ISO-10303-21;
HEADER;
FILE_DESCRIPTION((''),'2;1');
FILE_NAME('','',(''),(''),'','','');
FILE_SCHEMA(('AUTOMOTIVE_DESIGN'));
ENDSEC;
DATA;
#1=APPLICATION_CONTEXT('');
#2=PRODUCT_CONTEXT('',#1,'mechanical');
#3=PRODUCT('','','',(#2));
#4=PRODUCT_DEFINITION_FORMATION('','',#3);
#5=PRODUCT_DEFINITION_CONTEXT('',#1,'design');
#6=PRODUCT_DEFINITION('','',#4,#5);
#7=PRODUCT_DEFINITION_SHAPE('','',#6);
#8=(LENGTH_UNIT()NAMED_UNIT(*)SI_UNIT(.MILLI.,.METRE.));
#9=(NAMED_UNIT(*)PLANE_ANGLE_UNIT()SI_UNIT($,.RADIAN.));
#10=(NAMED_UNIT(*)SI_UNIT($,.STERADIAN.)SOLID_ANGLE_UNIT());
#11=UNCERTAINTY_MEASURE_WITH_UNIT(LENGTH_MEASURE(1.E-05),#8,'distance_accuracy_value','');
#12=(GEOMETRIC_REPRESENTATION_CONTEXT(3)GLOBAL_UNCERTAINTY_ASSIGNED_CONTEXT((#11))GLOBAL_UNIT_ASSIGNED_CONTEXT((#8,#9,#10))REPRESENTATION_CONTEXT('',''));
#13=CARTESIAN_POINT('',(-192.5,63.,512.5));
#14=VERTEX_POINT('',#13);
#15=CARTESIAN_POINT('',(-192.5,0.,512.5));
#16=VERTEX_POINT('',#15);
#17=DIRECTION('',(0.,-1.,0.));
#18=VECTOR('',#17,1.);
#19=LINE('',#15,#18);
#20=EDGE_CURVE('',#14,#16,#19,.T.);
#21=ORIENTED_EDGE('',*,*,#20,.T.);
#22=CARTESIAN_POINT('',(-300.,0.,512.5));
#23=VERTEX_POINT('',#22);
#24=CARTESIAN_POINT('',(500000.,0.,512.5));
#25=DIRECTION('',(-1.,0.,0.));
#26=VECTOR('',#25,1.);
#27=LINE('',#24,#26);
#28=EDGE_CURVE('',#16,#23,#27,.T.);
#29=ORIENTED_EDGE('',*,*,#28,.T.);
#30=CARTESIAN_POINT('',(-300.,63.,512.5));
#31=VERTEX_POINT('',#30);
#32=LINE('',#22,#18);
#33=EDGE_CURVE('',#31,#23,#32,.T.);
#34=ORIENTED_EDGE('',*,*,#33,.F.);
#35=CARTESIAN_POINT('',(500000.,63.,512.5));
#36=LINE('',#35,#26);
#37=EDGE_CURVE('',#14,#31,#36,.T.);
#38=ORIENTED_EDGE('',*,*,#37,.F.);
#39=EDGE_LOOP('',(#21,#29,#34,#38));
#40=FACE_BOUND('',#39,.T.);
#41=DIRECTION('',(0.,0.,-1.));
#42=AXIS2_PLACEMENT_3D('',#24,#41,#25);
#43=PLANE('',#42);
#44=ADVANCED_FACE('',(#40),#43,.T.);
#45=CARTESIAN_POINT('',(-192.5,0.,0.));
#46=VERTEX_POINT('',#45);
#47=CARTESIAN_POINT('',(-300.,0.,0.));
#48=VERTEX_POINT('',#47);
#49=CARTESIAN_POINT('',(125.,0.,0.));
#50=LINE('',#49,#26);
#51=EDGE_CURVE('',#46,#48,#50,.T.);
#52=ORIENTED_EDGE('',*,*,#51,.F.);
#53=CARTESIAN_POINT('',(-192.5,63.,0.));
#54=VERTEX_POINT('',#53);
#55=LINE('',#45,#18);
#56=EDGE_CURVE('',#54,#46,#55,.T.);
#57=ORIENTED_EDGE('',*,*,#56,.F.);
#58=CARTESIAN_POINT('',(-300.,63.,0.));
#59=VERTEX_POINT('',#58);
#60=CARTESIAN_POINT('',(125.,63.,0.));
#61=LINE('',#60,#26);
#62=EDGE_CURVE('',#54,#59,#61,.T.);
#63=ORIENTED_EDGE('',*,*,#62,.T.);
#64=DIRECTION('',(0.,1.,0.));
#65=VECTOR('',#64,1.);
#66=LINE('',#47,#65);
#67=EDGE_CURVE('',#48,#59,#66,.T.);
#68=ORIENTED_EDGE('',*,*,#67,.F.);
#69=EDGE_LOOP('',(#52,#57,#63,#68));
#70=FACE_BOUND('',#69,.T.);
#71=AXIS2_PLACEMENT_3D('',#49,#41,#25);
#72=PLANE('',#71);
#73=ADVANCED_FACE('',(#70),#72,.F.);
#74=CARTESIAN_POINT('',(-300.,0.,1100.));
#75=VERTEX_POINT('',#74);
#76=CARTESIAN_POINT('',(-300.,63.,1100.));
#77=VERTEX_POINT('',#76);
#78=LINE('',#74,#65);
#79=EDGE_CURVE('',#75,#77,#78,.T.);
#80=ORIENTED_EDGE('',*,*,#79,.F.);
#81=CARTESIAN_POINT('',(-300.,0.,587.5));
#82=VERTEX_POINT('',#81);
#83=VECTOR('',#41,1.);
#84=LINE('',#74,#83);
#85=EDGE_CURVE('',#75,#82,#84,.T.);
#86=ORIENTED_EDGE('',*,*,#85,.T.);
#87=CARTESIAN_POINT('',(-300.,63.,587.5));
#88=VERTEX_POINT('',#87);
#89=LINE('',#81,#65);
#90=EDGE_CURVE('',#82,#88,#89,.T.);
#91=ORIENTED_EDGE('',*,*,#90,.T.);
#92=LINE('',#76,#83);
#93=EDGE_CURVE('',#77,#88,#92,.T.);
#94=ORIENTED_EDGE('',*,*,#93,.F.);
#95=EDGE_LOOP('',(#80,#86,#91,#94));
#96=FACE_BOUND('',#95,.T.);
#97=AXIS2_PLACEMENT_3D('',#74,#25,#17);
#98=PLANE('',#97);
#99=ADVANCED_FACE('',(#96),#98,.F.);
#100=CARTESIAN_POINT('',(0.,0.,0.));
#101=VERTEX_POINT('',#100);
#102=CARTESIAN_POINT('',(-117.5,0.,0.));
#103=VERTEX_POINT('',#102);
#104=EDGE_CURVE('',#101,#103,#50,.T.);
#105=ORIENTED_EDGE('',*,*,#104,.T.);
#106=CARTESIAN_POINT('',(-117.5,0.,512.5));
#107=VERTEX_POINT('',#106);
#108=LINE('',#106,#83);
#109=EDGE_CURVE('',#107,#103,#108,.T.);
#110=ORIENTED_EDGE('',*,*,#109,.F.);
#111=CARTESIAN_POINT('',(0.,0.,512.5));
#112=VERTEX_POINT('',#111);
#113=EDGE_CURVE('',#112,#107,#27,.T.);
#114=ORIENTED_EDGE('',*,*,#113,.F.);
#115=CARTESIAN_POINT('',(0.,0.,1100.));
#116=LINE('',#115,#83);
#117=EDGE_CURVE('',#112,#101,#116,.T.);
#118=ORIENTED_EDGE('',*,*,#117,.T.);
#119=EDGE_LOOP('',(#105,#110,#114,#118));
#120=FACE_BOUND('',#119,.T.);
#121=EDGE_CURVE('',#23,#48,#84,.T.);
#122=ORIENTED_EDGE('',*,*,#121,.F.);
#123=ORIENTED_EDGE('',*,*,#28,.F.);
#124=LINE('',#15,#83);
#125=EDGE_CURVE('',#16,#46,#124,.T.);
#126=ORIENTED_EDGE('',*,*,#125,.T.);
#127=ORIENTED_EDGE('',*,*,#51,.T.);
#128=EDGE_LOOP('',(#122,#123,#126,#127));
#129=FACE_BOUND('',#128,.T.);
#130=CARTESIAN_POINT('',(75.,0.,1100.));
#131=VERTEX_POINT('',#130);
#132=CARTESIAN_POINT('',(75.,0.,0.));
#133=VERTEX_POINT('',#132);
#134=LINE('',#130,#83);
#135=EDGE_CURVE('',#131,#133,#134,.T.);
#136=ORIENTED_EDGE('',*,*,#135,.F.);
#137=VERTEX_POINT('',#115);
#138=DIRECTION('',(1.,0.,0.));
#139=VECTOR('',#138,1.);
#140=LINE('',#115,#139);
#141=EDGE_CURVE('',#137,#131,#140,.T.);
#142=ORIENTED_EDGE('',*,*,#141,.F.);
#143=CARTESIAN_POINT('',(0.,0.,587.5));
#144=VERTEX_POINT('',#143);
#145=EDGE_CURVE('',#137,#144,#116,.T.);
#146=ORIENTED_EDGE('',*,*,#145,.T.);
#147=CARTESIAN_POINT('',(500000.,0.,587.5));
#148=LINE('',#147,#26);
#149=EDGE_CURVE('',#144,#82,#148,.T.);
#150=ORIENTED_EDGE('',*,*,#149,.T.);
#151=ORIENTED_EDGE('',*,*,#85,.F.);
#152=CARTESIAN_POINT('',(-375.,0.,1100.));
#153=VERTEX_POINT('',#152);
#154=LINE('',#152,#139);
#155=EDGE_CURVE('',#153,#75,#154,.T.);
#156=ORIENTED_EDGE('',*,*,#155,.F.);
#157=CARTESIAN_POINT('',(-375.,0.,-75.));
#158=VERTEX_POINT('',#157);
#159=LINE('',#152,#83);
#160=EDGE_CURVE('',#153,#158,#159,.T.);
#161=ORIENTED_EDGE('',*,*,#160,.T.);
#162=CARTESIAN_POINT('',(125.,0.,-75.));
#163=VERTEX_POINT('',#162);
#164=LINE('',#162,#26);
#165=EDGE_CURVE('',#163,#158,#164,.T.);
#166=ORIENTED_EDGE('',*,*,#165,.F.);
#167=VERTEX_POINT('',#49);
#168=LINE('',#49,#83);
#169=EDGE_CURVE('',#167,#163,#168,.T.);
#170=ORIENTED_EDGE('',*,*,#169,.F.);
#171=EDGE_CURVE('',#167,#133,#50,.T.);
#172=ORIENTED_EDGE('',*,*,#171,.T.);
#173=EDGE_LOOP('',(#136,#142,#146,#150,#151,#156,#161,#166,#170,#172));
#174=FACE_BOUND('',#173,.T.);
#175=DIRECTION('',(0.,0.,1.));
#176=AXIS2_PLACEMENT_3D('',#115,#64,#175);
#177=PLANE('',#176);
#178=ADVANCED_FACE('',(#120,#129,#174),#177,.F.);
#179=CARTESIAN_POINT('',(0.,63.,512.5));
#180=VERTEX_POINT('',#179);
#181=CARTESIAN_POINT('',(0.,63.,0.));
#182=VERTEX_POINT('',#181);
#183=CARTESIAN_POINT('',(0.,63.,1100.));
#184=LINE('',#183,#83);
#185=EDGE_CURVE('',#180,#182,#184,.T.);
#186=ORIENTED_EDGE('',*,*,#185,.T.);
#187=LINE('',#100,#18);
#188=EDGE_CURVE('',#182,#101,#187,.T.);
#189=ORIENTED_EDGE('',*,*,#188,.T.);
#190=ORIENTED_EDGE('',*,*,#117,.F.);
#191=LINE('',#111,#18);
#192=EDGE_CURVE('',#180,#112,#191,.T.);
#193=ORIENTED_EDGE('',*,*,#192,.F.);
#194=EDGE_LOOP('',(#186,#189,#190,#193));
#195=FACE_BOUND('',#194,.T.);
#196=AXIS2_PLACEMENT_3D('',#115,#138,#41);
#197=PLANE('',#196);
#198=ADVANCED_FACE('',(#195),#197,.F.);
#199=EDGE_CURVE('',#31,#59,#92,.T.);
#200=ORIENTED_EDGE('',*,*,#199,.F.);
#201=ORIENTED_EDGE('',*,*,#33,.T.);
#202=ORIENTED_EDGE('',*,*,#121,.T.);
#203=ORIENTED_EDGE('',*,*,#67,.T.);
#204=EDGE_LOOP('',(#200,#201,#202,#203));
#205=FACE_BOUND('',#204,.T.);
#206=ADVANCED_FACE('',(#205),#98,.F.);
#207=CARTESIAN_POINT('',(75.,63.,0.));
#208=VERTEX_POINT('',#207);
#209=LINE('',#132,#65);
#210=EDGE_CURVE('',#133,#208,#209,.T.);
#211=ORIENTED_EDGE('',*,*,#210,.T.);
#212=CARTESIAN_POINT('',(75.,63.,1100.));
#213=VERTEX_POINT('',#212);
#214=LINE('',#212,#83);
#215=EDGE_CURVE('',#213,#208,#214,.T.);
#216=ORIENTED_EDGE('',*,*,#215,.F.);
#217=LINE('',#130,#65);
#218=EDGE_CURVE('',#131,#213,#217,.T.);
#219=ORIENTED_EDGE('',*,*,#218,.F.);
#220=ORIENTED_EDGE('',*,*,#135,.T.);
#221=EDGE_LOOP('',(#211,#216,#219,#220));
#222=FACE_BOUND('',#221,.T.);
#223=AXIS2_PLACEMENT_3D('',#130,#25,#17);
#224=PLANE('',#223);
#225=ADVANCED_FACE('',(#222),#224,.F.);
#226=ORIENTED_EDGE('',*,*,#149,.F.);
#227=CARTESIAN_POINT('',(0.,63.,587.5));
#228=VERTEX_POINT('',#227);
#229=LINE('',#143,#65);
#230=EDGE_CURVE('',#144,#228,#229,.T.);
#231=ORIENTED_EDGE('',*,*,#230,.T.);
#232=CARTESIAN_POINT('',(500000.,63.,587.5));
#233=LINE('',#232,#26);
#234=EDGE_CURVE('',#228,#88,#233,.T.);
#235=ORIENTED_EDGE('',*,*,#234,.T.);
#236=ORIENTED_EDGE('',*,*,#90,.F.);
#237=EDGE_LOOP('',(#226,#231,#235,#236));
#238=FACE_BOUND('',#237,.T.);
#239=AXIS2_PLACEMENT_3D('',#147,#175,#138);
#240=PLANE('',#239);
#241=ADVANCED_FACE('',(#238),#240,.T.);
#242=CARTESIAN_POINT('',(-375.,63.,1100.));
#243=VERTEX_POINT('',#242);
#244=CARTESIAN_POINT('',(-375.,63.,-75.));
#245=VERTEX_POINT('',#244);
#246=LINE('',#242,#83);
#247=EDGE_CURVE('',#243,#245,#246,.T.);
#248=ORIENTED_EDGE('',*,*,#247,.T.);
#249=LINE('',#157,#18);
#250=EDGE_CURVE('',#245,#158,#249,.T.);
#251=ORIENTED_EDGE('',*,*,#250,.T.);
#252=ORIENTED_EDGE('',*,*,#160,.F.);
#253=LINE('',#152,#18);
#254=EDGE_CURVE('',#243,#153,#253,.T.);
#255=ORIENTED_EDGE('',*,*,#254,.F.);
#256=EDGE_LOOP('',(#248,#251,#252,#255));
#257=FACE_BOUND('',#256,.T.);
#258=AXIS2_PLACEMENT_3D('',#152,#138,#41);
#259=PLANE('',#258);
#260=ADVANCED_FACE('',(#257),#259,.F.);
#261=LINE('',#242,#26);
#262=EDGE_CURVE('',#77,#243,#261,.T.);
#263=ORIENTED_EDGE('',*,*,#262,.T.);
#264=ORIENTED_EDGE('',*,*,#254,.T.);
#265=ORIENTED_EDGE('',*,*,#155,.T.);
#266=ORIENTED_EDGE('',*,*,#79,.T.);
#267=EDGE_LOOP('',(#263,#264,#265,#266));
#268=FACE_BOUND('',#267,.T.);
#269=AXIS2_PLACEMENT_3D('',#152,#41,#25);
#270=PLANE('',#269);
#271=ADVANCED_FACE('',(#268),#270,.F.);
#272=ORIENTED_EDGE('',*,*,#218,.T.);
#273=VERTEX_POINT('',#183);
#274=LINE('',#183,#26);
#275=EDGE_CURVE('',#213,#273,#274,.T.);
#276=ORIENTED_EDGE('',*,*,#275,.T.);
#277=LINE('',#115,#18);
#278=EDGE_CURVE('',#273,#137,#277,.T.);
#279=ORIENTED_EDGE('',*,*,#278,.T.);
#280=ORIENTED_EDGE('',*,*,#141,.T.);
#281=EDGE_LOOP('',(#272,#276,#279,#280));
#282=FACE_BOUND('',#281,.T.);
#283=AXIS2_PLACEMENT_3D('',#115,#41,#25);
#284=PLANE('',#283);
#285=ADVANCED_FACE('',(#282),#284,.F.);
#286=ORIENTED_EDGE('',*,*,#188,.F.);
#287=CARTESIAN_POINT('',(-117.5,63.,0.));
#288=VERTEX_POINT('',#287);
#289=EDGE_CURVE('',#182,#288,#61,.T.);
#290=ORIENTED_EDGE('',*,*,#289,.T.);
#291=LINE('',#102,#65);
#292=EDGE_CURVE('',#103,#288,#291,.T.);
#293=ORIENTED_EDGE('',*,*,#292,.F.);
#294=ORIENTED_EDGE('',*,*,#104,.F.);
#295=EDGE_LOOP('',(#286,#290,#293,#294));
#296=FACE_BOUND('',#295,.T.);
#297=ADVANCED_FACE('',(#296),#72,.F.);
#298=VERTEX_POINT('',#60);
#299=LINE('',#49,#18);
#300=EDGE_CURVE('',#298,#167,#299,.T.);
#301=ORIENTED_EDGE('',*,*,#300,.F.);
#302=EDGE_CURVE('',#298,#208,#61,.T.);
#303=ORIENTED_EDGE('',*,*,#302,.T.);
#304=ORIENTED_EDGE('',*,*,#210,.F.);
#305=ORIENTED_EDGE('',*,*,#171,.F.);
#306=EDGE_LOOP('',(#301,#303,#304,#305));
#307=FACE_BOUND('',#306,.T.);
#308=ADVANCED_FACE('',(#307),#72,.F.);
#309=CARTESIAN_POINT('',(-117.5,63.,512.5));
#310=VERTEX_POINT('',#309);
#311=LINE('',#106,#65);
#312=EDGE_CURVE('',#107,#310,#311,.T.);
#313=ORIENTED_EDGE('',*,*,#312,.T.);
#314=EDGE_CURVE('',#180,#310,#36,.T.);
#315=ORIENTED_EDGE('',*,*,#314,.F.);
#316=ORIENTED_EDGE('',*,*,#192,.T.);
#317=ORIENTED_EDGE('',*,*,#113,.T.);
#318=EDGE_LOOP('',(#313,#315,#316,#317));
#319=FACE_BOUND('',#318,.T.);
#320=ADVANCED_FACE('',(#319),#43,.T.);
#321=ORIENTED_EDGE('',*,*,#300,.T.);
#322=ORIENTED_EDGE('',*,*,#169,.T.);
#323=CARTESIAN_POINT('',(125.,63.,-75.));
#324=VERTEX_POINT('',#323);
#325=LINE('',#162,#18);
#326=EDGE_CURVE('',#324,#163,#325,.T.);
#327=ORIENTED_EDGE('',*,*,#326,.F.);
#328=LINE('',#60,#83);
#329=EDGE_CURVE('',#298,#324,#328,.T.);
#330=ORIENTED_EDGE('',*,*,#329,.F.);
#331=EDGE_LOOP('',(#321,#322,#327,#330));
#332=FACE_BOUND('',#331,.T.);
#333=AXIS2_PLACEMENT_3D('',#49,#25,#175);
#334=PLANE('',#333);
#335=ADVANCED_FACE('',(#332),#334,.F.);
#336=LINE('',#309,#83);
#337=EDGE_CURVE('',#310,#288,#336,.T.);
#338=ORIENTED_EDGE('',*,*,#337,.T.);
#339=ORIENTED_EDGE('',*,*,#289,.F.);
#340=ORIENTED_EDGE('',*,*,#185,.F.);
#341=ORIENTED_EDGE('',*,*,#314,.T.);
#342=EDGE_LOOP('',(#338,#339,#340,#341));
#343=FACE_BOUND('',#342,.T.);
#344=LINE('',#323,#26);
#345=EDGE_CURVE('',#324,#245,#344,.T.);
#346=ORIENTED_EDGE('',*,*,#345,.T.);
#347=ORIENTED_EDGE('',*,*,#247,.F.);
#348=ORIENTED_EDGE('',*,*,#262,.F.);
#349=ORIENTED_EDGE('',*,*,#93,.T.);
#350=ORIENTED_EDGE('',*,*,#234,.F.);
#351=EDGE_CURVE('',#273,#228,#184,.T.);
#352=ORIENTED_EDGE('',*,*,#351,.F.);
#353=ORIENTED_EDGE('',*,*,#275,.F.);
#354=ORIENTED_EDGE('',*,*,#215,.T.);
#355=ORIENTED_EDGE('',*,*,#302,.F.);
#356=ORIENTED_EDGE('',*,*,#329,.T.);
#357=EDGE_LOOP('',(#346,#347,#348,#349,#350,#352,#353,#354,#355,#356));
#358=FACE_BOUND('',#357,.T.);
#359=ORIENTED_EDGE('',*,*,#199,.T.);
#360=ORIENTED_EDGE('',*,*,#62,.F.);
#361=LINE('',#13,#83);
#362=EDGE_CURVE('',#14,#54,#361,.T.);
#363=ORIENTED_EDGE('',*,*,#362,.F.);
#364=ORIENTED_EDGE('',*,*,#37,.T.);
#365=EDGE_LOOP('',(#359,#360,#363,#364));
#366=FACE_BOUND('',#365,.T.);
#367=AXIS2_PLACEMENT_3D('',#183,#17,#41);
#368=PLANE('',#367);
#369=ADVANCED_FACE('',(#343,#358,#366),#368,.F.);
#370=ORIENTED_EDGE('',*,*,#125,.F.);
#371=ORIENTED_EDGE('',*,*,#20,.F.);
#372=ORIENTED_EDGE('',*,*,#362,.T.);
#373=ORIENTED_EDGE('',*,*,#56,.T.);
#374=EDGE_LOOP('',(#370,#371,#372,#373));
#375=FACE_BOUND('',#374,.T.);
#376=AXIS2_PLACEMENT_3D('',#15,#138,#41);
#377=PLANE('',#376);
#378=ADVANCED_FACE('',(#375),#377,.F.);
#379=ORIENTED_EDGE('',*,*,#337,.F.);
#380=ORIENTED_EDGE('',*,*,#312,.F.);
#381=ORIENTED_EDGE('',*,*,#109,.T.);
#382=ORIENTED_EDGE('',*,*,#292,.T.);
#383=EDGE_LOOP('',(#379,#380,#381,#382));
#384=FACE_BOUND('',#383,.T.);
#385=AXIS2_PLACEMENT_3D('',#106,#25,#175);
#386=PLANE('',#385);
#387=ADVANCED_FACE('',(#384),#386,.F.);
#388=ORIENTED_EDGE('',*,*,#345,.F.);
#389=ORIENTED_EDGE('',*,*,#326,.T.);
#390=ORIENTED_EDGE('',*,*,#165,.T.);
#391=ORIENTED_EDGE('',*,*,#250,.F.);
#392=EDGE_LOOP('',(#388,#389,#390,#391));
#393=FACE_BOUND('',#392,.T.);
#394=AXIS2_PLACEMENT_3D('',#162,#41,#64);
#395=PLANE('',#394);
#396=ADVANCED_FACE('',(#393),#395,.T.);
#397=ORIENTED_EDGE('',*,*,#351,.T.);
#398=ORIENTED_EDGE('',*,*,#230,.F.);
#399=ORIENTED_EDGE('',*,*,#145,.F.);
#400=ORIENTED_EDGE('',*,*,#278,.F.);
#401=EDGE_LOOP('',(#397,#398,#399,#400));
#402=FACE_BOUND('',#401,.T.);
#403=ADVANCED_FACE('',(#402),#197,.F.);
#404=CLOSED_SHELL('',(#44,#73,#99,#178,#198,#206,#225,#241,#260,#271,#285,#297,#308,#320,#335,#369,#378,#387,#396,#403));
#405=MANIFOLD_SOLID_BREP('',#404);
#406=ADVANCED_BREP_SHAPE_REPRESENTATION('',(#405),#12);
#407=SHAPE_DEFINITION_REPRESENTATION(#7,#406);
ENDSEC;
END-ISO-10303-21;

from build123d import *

# Parameters (mm, degrees)
ESQUISSE1_W                = 75
ESQUISSE1_H                = 63
BOSS_EXTRU_1_DEPTH         = 1100
R_P_TITION_LIN_AIRE2_COUNT = 2
R_P_TITION_LIN_AIRE2_PITCH = 375
ESQUISSE3_W                = 75
ESQUISSE3_H                = 63
BOSS_EXTRU_2_DEPTH         = 512.5
BOSS_EXTRU_3_DEPTH         = 182.5
BOSS_EXTRU_3_DEPTH_BACK    = 192.5
ESQUISSE4_W                = 75
ESQUISSE4_H                = 63
ESQUISSE5_W                = 75
ESQUISSE5_H                = 63
BOSS_EXTRU_4_DEPTH         = 500


with BuildPart() as part:
    # Esquisse1 → Boss.-Extru.1 (new body)
    with BuildSketch(Plane.XY):
        with Locations((37.5, 31.5)):
            Rectangle(ESQUISSE1_W, ESQUISSE1_H)
    extrude(amount=BOSS_EXTRU_1_DEPTH)


with BuildPart() as r_p_tition_lin_aire2_1:
    # Répétition linéaire2: pattern copy
    add(part.part.moved(Location(Vector(-1, 0, 0) * (1 * R_P_TITION_LIN_AIRE2_PITCH))))


with BuildPart() as body_3:
    # Esquisse3 → Boss.-Extru.2 (new body)
    with BuildSketch(Plane.XY):
        with Locations((-155, 31.5)):
            Rectangle(ESQUISSE3_W, ESQUISSE3_H)
    extrude(amount=BOSS_EXTRU_2_DEPTH)


with BuildPart() as part_1:
    add(part.part)

    add(r_p_tition_lin_aire2_1.part)  # Boss.-Extru.3 merges Répétition linéaire2_1

    add(body_3.part)  # Boss.-Extru.3 merges body 3
    # Esquisse4 → Boss.-Extru.3 (add, two sides: drawn at the far end of the back side and taken through both)
    with BuildSketch(Plane.ZY.offset(192.5).offset(-BOSS_EXTRU_3_DEPTH_BACK)):
        with Locations((550, 31.5)):
            Rectangle(ESQUISSE4_W, ESQUISSE4_H)
    extrude(amount=BOSS_EXTRU_3_DEPTH + BOSS_EXTRU_3_DEPTH_BACK)

    # Esquisse5 → Boss.-Extru.4 (add)
    with BuildSketch(Plane.ZY.offset(375)):
        with Locations((-37.5, 31.5)):
            Rectangle(ESQUISSE5_W, ESQUISSE5_H)
    extrude(amount=-BOSS_EXTRU_4_DEPTH)


solid = part_1.part
